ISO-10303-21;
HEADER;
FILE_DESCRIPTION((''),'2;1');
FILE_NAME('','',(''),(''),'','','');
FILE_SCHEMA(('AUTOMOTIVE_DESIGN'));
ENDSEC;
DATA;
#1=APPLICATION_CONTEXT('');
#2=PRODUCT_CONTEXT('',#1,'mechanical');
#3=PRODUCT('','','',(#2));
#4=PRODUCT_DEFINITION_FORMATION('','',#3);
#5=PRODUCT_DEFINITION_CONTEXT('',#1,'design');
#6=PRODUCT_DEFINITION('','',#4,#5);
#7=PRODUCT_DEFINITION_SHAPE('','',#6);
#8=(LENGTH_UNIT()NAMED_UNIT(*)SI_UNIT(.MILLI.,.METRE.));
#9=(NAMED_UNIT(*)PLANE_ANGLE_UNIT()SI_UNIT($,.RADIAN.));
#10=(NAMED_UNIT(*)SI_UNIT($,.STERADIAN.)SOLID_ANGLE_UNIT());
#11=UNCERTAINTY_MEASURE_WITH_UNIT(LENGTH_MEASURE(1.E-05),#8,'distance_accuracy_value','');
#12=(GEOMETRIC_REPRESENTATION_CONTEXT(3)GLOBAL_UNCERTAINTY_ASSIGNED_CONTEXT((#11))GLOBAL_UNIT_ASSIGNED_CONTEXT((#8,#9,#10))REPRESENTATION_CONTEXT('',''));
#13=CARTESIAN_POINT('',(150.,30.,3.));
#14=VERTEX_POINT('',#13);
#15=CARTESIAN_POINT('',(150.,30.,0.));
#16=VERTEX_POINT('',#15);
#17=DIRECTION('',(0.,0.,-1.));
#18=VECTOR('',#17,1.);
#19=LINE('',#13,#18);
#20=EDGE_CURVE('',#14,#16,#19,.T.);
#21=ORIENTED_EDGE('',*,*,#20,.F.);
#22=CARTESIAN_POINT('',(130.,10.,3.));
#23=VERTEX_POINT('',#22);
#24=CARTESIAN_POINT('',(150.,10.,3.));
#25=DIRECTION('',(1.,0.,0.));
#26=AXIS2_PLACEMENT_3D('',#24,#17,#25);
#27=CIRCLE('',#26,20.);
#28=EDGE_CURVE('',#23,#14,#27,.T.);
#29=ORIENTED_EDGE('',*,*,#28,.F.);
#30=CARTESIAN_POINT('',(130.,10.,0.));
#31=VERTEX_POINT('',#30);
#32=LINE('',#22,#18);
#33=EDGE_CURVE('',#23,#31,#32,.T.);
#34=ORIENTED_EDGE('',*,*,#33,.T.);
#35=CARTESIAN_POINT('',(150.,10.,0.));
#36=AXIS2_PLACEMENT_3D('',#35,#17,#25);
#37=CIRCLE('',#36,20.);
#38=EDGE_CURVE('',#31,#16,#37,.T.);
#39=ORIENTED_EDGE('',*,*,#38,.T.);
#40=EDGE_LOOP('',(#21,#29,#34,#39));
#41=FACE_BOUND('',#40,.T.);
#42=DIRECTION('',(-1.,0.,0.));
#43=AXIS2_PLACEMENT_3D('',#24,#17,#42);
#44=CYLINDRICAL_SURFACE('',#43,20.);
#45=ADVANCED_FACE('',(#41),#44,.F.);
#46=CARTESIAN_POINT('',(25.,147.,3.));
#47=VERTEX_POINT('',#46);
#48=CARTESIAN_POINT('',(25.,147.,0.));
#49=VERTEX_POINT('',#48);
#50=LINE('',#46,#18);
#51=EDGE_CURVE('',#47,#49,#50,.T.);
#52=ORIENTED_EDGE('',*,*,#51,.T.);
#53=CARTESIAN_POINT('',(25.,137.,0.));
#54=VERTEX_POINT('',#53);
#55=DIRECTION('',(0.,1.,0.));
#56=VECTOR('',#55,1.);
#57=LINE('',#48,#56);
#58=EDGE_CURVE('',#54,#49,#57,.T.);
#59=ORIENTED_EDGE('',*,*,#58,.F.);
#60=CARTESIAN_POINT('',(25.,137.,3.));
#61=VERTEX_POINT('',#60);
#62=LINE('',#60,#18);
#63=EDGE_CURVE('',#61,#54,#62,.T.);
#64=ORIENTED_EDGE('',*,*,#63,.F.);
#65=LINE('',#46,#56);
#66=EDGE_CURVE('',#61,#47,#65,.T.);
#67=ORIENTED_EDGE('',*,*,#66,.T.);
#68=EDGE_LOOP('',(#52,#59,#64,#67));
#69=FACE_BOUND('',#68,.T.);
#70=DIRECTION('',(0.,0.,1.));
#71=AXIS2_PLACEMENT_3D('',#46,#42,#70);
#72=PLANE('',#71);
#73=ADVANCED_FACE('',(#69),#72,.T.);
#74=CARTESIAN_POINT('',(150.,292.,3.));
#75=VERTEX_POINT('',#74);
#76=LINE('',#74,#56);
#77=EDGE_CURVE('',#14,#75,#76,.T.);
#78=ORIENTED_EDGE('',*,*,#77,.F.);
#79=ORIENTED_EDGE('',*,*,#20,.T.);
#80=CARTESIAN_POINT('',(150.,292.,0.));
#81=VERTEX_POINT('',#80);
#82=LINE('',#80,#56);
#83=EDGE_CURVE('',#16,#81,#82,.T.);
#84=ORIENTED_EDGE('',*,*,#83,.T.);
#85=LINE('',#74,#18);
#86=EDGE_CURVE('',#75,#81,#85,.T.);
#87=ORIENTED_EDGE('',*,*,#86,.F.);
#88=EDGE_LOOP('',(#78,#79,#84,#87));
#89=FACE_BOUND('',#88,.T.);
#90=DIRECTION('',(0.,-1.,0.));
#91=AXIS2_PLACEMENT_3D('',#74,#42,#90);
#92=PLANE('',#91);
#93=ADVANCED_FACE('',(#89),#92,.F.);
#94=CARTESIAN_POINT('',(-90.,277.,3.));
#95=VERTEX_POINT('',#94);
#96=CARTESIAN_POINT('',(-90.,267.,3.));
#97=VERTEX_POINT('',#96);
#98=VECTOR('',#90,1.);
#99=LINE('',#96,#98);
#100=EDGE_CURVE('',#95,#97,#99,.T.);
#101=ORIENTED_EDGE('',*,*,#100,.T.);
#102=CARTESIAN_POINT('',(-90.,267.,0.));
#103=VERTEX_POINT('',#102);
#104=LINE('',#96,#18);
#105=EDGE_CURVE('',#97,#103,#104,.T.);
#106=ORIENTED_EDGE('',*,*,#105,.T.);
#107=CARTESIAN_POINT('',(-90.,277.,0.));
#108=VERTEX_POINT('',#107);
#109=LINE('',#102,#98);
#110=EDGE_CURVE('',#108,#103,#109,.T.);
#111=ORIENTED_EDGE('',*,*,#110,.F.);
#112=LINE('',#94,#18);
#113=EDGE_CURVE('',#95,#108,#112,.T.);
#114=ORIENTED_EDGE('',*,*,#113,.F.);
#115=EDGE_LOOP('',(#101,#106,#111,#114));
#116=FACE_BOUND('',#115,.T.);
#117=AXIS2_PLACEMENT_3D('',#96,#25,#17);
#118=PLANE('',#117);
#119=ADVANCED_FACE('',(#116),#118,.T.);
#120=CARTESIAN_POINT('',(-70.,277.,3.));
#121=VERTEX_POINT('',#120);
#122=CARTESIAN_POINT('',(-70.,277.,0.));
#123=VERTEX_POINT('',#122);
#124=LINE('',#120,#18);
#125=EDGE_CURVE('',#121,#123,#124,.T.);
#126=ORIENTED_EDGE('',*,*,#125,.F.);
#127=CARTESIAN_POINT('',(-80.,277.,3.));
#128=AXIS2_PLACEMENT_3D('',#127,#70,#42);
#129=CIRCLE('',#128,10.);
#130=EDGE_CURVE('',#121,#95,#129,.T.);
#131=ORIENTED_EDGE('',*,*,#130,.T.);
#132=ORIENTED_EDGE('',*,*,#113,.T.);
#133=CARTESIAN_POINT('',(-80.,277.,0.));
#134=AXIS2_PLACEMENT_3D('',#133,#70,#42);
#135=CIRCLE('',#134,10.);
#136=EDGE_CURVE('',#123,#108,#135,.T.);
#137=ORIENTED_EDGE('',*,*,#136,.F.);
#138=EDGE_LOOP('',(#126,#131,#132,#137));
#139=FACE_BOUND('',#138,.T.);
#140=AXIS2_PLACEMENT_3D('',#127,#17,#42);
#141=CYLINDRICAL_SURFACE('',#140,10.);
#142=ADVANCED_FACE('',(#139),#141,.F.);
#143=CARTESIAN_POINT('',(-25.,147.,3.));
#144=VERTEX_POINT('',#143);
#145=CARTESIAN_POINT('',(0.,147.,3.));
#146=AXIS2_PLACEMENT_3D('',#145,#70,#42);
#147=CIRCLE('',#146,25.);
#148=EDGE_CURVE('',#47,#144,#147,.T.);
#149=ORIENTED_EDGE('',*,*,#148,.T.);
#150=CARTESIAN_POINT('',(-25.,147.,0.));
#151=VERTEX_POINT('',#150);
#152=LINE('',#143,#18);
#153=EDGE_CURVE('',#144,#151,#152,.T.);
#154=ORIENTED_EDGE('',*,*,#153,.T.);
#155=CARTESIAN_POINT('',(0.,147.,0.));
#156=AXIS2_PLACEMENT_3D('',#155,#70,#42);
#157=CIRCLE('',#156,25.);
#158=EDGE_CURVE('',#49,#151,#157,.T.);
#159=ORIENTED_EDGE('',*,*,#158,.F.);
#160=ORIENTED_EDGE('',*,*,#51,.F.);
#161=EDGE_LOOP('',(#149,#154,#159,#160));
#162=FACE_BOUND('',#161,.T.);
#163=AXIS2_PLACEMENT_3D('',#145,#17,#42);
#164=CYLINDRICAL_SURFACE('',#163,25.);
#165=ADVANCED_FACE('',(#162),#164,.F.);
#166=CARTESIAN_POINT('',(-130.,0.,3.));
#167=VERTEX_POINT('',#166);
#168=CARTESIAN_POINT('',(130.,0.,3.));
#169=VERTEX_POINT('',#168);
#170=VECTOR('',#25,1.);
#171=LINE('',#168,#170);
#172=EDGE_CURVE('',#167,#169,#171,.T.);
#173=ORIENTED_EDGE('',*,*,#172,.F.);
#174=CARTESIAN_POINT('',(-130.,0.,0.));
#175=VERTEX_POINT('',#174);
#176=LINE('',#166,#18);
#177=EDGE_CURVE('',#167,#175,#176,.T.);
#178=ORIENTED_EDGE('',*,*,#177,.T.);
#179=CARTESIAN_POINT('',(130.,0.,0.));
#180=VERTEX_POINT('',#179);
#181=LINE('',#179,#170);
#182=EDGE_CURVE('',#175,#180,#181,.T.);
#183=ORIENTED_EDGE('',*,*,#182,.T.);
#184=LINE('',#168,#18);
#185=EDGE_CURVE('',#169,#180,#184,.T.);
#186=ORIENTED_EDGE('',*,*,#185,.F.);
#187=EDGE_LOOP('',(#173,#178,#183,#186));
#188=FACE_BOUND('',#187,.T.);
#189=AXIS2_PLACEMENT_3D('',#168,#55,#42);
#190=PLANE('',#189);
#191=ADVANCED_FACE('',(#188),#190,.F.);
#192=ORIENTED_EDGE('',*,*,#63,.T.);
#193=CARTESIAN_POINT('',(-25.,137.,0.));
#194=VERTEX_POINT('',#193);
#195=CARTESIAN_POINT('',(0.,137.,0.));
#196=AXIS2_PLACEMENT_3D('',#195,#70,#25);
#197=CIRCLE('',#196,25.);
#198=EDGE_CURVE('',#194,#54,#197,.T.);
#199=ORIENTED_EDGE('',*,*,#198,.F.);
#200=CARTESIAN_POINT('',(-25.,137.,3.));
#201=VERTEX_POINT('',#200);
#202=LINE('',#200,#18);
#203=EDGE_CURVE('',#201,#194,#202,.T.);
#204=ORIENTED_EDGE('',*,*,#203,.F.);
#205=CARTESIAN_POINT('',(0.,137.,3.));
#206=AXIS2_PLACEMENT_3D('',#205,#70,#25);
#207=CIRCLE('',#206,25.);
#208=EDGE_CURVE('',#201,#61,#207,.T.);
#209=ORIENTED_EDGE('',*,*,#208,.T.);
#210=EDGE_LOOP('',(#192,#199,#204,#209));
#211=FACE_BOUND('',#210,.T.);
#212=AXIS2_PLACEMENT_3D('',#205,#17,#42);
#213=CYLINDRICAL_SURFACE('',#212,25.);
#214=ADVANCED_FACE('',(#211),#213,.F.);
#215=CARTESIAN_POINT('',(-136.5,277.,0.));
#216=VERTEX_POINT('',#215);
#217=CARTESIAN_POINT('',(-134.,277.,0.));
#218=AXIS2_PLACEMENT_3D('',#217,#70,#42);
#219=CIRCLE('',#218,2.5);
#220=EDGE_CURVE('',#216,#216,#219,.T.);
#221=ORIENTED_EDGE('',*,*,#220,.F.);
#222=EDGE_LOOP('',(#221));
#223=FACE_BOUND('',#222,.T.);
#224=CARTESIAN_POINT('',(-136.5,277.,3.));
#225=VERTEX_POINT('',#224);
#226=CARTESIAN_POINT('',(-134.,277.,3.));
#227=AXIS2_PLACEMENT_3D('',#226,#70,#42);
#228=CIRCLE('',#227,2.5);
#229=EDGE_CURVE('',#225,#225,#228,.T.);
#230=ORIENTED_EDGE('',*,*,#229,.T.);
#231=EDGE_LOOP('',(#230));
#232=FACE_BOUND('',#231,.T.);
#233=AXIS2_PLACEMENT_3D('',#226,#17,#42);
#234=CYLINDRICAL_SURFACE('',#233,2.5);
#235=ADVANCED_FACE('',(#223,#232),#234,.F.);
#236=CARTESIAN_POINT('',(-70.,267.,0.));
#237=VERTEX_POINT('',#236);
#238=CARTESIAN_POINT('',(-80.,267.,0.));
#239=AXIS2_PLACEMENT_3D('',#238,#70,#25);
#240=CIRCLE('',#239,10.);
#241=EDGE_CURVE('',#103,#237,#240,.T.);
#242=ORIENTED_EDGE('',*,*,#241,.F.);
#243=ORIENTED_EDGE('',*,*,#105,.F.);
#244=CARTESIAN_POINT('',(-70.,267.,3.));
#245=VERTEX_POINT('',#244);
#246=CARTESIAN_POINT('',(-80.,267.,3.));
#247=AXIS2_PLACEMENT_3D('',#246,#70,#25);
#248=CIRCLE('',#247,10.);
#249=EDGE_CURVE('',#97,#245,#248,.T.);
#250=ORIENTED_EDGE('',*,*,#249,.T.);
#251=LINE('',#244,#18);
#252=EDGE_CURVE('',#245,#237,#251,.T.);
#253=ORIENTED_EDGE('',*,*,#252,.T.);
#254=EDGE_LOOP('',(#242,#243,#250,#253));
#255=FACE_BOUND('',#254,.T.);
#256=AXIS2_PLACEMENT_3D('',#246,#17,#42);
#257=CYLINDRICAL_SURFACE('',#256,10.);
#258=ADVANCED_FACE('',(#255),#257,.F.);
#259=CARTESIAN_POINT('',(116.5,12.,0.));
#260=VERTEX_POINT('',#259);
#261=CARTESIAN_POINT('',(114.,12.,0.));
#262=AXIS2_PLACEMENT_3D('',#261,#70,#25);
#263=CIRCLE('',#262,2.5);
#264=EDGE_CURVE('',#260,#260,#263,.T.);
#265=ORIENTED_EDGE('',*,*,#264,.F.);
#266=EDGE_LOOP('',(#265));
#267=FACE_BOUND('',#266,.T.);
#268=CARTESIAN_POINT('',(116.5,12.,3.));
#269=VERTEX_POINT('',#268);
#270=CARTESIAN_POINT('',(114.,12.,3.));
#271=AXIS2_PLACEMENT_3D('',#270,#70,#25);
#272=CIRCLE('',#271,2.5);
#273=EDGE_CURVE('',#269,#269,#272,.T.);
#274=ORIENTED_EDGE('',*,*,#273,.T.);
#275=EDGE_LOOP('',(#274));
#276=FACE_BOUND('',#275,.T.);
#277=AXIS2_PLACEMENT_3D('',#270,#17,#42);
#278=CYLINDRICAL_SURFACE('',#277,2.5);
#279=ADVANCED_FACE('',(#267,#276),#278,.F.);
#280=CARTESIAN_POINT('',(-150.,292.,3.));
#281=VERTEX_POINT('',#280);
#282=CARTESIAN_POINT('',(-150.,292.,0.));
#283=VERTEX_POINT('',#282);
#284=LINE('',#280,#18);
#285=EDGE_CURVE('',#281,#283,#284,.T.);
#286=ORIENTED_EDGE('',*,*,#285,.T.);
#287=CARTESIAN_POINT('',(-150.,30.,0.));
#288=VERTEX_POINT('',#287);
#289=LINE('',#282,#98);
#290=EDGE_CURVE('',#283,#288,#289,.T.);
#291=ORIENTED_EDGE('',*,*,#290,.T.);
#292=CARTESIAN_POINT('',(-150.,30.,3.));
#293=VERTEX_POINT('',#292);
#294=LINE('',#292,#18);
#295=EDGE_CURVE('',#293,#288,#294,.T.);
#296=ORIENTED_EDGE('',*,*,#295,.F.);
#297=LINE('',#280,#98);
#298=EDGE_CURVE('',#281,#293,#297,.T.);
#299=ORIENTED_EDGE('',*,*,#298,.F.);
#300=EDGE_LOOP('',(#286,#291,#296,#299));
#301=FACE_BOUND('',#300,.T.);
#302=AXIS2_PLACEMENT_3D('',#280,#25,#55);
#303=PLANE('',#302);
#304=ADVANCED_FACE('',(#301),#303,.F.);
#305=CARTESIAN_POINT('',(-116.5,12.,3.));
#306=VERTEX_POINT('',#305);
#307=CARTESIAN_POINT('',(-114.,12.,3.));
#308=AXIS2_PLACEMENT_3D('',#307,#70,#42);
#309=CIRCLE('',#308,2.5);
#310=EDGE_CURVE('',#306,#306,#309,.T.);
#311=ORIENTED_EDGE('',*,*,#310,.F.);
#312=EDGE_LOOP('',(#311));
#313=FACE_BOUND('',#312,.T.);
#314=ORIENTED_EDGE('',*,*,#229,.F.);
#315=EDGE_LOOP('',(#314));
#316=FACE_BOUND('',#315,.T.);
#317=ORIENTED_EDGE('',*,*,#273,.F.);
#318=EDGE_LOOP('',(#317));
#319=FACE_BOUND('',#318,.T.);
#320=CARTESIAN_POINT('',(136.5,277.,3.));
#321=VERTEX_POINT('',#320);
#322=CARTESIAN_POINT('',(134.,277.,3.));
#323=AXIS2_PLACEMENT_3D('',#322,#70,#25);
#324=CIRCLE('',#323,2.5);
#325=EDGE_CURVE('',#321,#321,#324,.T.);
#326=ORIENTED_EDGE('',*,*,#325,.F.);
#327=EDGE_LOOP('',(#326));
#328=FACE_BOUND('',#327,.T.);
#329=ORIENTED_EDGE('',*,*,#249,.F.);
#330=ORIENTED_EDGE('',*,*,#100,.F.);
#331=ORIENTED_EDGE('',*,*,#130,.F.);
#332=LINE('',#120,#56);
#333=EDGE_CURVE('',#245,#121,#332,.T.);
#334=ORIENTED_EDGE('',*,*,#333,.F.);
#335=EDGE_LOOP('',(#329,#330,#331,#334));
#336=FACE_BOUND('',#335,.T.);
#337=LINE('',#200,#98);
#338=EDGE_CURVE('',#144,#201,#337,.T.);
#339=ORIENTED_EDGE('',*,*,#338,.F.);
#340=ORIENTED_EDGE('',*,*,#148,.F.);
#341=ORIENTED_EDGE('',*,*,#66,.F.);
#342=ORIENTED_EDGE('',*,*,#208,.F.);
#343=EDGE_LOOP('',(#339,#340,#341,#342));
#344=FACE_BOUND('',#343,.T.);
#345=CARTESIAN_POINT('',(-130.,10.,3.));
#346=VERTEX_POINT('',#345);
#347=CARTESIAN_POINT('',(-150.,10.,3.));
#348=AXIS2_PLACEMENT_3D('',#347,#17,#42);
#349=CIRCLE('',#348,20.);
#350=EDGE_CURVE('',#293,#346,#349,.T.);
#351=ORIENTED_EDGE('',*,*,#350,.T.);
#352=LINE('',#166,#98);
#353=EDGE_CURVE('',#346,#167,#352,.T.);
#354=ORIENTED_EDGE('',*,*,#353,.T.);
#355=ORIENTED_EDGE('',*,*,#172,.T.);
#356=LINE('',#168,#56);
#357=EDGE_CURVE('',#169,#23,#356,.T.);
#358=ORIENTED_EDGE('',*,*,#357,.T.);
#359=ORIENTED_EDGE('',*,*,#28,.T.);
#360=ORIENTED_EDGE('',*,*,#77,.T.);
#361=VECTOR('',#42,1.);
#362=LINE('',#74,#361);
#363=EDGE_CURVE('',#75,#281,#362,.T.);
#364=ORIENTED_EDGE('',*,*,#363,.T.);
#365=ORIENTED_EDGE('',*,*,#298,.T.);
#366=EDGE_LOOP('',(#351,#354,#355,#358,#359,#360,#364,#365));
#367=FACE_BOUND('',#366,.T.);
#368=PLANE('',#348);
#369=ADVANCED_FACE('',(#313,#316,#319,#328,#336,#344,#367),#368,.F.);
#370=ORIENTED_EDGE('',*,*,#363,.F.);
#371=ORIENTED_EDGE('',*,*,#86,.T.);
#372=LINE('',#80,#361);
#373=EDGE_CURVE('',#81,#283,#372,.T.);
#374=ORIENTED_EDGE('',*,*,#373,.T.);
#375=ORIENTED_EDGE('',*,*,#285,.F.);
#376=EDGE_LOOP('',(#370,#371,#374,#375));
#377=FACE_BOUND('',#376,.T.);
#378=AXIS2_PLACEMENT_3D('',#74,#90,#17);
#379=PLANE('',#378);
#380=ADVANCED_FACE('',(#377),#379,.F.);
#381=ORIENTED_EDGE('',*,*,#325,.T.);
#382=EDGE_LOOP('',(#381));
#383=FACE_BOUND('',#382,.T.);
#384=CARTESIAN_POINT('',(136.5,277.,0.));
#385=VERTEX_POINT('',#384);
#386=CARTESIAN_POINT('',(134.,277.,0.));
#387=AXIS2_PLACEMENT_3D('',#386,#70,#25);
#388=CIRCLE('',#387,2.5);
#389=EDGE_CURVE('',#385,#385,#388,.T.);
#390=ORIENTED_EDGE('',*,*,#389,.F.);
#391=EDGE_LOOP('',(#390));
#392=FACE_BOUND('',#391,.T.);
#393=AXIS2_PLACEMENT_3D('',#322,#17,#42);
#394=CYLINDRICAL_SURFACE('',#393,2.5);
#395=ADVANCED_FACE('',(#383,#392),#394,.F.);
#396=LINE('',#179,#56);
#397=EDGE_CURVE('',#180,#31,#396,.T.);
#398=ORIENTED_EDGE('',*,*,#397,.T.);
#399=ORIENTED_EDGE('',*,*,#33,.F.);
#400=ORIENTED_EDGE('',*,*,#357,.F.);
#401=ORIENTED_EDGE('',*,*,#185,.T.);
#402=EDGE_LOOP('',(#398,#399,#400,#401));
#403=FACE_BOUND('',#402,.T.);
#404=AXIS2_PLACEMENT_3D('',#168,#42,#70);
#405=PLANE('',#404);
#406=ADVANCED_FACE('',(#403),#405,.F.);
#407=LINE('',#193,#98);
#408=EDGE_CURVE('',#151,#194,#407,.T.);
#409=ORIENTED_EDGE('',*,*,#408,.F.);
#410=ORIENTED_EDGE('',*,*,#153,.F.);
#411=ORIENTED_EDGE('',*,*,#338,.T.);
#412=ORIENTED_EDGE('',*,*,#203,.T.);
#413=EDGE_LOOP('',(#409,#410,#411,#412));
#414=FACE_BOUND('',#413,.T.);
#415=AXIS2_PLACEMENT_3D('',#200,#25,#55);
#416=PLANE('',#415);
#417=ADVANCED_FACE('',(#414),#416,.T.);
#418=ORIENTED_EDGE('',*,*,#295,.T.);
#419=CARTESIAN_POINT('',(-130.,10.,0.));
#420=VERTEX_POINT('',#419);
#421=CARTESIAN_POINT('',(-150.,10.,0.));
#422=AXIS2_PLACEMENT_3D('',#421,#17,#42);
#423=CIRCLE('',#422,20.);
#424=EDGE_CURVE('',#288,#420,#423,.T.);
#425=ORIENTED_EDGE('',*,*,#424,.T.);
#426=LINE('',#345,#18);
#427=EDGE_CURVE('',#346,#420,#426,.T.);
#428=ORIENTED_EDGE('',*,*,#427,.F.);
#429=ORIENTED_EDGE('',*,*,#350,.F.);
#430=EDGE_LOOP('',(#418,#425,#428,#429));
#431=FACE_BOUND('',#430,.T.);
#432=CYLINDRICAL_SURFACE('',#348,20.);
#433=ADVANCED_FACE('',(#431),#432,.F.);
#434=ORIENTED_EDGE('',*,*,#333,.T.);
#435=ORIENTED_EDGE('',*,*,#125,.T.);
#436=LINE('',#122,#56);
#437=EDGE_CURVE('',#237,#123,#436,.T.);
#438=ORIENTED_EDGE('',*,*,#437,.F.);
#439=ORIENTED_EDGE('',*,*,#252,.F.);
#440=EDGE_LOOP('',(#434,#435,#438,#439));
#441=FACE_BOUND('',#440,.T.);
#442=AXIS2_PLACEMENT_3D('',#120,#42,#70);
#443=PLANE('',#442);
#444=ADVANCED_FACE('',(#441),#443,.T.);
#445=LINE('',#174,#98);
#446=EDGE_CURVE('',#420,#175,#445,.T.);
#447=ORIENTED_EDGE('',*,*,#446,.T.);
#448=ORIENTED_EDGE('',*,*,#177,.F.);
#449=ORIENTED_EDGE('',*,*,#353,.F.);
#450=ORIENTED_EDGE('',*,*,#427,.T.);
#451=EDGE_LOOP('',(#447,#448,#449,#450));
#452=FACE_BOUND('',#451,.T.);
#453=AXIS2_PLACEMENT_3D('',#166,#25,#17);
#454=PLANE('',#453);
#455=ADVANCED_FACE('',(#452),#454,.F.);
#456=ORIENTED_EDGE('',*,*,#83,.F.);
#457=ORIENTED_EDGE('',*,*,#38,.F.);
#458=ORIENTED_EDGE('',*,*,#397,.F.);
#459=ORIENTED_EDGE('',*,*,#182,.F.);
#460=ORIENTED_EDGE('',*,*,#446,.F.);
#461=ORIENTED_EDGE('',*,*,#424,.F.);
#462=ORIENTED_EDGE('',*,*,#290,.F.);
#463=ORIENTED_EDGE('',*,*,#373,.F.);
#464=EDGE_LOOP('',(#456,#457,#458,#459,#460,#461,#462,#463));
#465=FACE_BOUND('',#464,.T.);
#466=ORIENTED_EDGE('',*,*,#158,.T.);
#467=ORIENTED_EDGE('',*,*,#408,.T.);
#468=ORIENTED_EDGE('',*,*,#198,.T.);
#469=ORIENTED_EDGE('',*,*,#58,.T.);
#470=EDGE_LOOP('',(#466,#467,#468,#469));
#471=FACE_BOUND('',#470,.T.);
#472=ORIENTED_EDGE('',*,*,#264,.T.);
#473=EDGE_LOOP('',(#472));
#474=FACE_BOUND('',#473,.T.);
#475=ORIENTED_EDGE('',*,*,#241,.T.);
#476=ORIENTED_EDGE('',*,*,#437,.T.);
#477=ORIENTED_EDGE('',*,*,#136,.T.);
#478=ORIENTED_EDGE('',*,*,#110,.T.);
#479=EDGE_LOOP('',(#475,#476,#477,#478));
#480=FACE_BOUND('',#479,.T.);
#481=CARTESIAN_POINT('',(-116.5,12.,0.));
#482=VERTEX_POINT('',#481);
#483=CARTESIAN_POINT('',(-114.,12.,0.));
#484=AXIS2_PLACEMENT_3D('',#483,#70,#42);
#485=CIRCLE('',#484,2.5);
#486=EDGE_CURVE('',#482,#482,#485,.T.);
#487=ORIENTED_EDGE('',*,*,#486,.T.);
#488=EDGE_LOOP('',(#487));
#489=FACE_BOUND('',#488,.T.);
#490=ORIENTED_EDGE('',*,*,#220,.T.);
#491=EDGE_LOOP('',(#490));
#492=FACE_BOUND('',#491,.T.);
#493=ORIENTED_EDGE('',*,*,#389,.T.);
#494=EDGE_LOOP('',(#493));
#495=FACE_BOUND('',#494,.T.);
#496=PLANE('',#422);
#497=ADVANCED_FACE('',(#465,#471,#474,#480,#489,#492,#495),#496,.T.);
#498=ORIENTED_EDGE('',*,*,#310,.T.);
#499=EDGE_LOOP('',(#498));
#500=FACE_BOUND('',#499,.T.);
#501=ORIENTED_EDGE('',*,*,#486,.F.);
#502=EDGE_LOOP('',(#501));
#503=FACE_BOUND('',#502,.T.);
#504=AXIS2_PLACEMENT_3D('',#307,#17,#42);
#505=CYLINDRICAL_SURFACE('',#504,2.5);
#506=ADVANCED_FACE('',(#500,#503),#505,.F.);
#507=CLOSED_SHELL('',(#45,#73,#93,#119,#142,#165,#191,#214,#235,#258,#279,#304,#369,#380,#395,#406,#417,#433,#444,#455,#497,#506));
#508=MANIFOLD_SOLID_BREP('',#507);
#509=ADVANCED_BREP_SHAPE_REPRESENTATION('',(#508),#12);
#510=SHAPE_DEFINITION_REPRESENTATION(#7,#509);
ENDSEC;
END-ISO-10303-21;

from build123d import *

# Parameters (mm, degrees)
ESQUISSE1_R      = 2.5
EXTRUSION1_DEPTH = 3


with BuildPart() as part:
    # Esquisse1 → Extrusion1 (new body)
    with BuildSketch(Plane.XY):
        with BuildLine():
            Line((150, 292), (-150, 292))
            Line((-150, 292), (-150, 30))
            ThreePointArc((-150, 30), (-135.857864376, 24.142135624), (-130, 10))
            Line((-130, 10), (-130, 0))
            Line((-130, 0), (130, 0))
            Line((130, 0), (130, 10))
            ThreePointArc((130, 10), (135.857864376, 24.142135624), (150, 30))
            Line((150, 30), (150, 292))
        make_face()
        with Locations((134, 277)):
            Circle(ESQUISSE1_R, mode=Mode.SUBTRACT)
        with Locations((-134, 277)):
            Circle(ESQUISSE1_R, mode=Mode.SUBTRACT)
        with Locations((114, 12)):
            Circle(ESQUISSE1_R, mode=Mode.SUBTRACT)
        with Locations((-114, 12)):
            Circle(ESQUISSE1_R, mode=Mode.SUBTRACT)
        with BuildLine():
            Line((-25, 137), (-25, 147))
            ThreePointArc((-25, 147), (0, 172), (25, 147))
            Line((25, 147), (25, 137))
            ThreePointArc((25, 137), (0, 112), (-25, 137))
        make_face(mode=Mode.SUBTRACT)
        with BuildLine():
            Line((-90, 267), (-90, 277))
            ThreePointArc((-90, 277), (-80, 287), (-70, 277))
            Line((-70, 277), (-70, 267))
            ThreePointArc((-70, 267), (-80, 257), (-90, 267))
        make_face(mode=Mode.SUBTRACT)
    extrude(amount=EXTRUSION1_DEPTH)


solid = part.part
